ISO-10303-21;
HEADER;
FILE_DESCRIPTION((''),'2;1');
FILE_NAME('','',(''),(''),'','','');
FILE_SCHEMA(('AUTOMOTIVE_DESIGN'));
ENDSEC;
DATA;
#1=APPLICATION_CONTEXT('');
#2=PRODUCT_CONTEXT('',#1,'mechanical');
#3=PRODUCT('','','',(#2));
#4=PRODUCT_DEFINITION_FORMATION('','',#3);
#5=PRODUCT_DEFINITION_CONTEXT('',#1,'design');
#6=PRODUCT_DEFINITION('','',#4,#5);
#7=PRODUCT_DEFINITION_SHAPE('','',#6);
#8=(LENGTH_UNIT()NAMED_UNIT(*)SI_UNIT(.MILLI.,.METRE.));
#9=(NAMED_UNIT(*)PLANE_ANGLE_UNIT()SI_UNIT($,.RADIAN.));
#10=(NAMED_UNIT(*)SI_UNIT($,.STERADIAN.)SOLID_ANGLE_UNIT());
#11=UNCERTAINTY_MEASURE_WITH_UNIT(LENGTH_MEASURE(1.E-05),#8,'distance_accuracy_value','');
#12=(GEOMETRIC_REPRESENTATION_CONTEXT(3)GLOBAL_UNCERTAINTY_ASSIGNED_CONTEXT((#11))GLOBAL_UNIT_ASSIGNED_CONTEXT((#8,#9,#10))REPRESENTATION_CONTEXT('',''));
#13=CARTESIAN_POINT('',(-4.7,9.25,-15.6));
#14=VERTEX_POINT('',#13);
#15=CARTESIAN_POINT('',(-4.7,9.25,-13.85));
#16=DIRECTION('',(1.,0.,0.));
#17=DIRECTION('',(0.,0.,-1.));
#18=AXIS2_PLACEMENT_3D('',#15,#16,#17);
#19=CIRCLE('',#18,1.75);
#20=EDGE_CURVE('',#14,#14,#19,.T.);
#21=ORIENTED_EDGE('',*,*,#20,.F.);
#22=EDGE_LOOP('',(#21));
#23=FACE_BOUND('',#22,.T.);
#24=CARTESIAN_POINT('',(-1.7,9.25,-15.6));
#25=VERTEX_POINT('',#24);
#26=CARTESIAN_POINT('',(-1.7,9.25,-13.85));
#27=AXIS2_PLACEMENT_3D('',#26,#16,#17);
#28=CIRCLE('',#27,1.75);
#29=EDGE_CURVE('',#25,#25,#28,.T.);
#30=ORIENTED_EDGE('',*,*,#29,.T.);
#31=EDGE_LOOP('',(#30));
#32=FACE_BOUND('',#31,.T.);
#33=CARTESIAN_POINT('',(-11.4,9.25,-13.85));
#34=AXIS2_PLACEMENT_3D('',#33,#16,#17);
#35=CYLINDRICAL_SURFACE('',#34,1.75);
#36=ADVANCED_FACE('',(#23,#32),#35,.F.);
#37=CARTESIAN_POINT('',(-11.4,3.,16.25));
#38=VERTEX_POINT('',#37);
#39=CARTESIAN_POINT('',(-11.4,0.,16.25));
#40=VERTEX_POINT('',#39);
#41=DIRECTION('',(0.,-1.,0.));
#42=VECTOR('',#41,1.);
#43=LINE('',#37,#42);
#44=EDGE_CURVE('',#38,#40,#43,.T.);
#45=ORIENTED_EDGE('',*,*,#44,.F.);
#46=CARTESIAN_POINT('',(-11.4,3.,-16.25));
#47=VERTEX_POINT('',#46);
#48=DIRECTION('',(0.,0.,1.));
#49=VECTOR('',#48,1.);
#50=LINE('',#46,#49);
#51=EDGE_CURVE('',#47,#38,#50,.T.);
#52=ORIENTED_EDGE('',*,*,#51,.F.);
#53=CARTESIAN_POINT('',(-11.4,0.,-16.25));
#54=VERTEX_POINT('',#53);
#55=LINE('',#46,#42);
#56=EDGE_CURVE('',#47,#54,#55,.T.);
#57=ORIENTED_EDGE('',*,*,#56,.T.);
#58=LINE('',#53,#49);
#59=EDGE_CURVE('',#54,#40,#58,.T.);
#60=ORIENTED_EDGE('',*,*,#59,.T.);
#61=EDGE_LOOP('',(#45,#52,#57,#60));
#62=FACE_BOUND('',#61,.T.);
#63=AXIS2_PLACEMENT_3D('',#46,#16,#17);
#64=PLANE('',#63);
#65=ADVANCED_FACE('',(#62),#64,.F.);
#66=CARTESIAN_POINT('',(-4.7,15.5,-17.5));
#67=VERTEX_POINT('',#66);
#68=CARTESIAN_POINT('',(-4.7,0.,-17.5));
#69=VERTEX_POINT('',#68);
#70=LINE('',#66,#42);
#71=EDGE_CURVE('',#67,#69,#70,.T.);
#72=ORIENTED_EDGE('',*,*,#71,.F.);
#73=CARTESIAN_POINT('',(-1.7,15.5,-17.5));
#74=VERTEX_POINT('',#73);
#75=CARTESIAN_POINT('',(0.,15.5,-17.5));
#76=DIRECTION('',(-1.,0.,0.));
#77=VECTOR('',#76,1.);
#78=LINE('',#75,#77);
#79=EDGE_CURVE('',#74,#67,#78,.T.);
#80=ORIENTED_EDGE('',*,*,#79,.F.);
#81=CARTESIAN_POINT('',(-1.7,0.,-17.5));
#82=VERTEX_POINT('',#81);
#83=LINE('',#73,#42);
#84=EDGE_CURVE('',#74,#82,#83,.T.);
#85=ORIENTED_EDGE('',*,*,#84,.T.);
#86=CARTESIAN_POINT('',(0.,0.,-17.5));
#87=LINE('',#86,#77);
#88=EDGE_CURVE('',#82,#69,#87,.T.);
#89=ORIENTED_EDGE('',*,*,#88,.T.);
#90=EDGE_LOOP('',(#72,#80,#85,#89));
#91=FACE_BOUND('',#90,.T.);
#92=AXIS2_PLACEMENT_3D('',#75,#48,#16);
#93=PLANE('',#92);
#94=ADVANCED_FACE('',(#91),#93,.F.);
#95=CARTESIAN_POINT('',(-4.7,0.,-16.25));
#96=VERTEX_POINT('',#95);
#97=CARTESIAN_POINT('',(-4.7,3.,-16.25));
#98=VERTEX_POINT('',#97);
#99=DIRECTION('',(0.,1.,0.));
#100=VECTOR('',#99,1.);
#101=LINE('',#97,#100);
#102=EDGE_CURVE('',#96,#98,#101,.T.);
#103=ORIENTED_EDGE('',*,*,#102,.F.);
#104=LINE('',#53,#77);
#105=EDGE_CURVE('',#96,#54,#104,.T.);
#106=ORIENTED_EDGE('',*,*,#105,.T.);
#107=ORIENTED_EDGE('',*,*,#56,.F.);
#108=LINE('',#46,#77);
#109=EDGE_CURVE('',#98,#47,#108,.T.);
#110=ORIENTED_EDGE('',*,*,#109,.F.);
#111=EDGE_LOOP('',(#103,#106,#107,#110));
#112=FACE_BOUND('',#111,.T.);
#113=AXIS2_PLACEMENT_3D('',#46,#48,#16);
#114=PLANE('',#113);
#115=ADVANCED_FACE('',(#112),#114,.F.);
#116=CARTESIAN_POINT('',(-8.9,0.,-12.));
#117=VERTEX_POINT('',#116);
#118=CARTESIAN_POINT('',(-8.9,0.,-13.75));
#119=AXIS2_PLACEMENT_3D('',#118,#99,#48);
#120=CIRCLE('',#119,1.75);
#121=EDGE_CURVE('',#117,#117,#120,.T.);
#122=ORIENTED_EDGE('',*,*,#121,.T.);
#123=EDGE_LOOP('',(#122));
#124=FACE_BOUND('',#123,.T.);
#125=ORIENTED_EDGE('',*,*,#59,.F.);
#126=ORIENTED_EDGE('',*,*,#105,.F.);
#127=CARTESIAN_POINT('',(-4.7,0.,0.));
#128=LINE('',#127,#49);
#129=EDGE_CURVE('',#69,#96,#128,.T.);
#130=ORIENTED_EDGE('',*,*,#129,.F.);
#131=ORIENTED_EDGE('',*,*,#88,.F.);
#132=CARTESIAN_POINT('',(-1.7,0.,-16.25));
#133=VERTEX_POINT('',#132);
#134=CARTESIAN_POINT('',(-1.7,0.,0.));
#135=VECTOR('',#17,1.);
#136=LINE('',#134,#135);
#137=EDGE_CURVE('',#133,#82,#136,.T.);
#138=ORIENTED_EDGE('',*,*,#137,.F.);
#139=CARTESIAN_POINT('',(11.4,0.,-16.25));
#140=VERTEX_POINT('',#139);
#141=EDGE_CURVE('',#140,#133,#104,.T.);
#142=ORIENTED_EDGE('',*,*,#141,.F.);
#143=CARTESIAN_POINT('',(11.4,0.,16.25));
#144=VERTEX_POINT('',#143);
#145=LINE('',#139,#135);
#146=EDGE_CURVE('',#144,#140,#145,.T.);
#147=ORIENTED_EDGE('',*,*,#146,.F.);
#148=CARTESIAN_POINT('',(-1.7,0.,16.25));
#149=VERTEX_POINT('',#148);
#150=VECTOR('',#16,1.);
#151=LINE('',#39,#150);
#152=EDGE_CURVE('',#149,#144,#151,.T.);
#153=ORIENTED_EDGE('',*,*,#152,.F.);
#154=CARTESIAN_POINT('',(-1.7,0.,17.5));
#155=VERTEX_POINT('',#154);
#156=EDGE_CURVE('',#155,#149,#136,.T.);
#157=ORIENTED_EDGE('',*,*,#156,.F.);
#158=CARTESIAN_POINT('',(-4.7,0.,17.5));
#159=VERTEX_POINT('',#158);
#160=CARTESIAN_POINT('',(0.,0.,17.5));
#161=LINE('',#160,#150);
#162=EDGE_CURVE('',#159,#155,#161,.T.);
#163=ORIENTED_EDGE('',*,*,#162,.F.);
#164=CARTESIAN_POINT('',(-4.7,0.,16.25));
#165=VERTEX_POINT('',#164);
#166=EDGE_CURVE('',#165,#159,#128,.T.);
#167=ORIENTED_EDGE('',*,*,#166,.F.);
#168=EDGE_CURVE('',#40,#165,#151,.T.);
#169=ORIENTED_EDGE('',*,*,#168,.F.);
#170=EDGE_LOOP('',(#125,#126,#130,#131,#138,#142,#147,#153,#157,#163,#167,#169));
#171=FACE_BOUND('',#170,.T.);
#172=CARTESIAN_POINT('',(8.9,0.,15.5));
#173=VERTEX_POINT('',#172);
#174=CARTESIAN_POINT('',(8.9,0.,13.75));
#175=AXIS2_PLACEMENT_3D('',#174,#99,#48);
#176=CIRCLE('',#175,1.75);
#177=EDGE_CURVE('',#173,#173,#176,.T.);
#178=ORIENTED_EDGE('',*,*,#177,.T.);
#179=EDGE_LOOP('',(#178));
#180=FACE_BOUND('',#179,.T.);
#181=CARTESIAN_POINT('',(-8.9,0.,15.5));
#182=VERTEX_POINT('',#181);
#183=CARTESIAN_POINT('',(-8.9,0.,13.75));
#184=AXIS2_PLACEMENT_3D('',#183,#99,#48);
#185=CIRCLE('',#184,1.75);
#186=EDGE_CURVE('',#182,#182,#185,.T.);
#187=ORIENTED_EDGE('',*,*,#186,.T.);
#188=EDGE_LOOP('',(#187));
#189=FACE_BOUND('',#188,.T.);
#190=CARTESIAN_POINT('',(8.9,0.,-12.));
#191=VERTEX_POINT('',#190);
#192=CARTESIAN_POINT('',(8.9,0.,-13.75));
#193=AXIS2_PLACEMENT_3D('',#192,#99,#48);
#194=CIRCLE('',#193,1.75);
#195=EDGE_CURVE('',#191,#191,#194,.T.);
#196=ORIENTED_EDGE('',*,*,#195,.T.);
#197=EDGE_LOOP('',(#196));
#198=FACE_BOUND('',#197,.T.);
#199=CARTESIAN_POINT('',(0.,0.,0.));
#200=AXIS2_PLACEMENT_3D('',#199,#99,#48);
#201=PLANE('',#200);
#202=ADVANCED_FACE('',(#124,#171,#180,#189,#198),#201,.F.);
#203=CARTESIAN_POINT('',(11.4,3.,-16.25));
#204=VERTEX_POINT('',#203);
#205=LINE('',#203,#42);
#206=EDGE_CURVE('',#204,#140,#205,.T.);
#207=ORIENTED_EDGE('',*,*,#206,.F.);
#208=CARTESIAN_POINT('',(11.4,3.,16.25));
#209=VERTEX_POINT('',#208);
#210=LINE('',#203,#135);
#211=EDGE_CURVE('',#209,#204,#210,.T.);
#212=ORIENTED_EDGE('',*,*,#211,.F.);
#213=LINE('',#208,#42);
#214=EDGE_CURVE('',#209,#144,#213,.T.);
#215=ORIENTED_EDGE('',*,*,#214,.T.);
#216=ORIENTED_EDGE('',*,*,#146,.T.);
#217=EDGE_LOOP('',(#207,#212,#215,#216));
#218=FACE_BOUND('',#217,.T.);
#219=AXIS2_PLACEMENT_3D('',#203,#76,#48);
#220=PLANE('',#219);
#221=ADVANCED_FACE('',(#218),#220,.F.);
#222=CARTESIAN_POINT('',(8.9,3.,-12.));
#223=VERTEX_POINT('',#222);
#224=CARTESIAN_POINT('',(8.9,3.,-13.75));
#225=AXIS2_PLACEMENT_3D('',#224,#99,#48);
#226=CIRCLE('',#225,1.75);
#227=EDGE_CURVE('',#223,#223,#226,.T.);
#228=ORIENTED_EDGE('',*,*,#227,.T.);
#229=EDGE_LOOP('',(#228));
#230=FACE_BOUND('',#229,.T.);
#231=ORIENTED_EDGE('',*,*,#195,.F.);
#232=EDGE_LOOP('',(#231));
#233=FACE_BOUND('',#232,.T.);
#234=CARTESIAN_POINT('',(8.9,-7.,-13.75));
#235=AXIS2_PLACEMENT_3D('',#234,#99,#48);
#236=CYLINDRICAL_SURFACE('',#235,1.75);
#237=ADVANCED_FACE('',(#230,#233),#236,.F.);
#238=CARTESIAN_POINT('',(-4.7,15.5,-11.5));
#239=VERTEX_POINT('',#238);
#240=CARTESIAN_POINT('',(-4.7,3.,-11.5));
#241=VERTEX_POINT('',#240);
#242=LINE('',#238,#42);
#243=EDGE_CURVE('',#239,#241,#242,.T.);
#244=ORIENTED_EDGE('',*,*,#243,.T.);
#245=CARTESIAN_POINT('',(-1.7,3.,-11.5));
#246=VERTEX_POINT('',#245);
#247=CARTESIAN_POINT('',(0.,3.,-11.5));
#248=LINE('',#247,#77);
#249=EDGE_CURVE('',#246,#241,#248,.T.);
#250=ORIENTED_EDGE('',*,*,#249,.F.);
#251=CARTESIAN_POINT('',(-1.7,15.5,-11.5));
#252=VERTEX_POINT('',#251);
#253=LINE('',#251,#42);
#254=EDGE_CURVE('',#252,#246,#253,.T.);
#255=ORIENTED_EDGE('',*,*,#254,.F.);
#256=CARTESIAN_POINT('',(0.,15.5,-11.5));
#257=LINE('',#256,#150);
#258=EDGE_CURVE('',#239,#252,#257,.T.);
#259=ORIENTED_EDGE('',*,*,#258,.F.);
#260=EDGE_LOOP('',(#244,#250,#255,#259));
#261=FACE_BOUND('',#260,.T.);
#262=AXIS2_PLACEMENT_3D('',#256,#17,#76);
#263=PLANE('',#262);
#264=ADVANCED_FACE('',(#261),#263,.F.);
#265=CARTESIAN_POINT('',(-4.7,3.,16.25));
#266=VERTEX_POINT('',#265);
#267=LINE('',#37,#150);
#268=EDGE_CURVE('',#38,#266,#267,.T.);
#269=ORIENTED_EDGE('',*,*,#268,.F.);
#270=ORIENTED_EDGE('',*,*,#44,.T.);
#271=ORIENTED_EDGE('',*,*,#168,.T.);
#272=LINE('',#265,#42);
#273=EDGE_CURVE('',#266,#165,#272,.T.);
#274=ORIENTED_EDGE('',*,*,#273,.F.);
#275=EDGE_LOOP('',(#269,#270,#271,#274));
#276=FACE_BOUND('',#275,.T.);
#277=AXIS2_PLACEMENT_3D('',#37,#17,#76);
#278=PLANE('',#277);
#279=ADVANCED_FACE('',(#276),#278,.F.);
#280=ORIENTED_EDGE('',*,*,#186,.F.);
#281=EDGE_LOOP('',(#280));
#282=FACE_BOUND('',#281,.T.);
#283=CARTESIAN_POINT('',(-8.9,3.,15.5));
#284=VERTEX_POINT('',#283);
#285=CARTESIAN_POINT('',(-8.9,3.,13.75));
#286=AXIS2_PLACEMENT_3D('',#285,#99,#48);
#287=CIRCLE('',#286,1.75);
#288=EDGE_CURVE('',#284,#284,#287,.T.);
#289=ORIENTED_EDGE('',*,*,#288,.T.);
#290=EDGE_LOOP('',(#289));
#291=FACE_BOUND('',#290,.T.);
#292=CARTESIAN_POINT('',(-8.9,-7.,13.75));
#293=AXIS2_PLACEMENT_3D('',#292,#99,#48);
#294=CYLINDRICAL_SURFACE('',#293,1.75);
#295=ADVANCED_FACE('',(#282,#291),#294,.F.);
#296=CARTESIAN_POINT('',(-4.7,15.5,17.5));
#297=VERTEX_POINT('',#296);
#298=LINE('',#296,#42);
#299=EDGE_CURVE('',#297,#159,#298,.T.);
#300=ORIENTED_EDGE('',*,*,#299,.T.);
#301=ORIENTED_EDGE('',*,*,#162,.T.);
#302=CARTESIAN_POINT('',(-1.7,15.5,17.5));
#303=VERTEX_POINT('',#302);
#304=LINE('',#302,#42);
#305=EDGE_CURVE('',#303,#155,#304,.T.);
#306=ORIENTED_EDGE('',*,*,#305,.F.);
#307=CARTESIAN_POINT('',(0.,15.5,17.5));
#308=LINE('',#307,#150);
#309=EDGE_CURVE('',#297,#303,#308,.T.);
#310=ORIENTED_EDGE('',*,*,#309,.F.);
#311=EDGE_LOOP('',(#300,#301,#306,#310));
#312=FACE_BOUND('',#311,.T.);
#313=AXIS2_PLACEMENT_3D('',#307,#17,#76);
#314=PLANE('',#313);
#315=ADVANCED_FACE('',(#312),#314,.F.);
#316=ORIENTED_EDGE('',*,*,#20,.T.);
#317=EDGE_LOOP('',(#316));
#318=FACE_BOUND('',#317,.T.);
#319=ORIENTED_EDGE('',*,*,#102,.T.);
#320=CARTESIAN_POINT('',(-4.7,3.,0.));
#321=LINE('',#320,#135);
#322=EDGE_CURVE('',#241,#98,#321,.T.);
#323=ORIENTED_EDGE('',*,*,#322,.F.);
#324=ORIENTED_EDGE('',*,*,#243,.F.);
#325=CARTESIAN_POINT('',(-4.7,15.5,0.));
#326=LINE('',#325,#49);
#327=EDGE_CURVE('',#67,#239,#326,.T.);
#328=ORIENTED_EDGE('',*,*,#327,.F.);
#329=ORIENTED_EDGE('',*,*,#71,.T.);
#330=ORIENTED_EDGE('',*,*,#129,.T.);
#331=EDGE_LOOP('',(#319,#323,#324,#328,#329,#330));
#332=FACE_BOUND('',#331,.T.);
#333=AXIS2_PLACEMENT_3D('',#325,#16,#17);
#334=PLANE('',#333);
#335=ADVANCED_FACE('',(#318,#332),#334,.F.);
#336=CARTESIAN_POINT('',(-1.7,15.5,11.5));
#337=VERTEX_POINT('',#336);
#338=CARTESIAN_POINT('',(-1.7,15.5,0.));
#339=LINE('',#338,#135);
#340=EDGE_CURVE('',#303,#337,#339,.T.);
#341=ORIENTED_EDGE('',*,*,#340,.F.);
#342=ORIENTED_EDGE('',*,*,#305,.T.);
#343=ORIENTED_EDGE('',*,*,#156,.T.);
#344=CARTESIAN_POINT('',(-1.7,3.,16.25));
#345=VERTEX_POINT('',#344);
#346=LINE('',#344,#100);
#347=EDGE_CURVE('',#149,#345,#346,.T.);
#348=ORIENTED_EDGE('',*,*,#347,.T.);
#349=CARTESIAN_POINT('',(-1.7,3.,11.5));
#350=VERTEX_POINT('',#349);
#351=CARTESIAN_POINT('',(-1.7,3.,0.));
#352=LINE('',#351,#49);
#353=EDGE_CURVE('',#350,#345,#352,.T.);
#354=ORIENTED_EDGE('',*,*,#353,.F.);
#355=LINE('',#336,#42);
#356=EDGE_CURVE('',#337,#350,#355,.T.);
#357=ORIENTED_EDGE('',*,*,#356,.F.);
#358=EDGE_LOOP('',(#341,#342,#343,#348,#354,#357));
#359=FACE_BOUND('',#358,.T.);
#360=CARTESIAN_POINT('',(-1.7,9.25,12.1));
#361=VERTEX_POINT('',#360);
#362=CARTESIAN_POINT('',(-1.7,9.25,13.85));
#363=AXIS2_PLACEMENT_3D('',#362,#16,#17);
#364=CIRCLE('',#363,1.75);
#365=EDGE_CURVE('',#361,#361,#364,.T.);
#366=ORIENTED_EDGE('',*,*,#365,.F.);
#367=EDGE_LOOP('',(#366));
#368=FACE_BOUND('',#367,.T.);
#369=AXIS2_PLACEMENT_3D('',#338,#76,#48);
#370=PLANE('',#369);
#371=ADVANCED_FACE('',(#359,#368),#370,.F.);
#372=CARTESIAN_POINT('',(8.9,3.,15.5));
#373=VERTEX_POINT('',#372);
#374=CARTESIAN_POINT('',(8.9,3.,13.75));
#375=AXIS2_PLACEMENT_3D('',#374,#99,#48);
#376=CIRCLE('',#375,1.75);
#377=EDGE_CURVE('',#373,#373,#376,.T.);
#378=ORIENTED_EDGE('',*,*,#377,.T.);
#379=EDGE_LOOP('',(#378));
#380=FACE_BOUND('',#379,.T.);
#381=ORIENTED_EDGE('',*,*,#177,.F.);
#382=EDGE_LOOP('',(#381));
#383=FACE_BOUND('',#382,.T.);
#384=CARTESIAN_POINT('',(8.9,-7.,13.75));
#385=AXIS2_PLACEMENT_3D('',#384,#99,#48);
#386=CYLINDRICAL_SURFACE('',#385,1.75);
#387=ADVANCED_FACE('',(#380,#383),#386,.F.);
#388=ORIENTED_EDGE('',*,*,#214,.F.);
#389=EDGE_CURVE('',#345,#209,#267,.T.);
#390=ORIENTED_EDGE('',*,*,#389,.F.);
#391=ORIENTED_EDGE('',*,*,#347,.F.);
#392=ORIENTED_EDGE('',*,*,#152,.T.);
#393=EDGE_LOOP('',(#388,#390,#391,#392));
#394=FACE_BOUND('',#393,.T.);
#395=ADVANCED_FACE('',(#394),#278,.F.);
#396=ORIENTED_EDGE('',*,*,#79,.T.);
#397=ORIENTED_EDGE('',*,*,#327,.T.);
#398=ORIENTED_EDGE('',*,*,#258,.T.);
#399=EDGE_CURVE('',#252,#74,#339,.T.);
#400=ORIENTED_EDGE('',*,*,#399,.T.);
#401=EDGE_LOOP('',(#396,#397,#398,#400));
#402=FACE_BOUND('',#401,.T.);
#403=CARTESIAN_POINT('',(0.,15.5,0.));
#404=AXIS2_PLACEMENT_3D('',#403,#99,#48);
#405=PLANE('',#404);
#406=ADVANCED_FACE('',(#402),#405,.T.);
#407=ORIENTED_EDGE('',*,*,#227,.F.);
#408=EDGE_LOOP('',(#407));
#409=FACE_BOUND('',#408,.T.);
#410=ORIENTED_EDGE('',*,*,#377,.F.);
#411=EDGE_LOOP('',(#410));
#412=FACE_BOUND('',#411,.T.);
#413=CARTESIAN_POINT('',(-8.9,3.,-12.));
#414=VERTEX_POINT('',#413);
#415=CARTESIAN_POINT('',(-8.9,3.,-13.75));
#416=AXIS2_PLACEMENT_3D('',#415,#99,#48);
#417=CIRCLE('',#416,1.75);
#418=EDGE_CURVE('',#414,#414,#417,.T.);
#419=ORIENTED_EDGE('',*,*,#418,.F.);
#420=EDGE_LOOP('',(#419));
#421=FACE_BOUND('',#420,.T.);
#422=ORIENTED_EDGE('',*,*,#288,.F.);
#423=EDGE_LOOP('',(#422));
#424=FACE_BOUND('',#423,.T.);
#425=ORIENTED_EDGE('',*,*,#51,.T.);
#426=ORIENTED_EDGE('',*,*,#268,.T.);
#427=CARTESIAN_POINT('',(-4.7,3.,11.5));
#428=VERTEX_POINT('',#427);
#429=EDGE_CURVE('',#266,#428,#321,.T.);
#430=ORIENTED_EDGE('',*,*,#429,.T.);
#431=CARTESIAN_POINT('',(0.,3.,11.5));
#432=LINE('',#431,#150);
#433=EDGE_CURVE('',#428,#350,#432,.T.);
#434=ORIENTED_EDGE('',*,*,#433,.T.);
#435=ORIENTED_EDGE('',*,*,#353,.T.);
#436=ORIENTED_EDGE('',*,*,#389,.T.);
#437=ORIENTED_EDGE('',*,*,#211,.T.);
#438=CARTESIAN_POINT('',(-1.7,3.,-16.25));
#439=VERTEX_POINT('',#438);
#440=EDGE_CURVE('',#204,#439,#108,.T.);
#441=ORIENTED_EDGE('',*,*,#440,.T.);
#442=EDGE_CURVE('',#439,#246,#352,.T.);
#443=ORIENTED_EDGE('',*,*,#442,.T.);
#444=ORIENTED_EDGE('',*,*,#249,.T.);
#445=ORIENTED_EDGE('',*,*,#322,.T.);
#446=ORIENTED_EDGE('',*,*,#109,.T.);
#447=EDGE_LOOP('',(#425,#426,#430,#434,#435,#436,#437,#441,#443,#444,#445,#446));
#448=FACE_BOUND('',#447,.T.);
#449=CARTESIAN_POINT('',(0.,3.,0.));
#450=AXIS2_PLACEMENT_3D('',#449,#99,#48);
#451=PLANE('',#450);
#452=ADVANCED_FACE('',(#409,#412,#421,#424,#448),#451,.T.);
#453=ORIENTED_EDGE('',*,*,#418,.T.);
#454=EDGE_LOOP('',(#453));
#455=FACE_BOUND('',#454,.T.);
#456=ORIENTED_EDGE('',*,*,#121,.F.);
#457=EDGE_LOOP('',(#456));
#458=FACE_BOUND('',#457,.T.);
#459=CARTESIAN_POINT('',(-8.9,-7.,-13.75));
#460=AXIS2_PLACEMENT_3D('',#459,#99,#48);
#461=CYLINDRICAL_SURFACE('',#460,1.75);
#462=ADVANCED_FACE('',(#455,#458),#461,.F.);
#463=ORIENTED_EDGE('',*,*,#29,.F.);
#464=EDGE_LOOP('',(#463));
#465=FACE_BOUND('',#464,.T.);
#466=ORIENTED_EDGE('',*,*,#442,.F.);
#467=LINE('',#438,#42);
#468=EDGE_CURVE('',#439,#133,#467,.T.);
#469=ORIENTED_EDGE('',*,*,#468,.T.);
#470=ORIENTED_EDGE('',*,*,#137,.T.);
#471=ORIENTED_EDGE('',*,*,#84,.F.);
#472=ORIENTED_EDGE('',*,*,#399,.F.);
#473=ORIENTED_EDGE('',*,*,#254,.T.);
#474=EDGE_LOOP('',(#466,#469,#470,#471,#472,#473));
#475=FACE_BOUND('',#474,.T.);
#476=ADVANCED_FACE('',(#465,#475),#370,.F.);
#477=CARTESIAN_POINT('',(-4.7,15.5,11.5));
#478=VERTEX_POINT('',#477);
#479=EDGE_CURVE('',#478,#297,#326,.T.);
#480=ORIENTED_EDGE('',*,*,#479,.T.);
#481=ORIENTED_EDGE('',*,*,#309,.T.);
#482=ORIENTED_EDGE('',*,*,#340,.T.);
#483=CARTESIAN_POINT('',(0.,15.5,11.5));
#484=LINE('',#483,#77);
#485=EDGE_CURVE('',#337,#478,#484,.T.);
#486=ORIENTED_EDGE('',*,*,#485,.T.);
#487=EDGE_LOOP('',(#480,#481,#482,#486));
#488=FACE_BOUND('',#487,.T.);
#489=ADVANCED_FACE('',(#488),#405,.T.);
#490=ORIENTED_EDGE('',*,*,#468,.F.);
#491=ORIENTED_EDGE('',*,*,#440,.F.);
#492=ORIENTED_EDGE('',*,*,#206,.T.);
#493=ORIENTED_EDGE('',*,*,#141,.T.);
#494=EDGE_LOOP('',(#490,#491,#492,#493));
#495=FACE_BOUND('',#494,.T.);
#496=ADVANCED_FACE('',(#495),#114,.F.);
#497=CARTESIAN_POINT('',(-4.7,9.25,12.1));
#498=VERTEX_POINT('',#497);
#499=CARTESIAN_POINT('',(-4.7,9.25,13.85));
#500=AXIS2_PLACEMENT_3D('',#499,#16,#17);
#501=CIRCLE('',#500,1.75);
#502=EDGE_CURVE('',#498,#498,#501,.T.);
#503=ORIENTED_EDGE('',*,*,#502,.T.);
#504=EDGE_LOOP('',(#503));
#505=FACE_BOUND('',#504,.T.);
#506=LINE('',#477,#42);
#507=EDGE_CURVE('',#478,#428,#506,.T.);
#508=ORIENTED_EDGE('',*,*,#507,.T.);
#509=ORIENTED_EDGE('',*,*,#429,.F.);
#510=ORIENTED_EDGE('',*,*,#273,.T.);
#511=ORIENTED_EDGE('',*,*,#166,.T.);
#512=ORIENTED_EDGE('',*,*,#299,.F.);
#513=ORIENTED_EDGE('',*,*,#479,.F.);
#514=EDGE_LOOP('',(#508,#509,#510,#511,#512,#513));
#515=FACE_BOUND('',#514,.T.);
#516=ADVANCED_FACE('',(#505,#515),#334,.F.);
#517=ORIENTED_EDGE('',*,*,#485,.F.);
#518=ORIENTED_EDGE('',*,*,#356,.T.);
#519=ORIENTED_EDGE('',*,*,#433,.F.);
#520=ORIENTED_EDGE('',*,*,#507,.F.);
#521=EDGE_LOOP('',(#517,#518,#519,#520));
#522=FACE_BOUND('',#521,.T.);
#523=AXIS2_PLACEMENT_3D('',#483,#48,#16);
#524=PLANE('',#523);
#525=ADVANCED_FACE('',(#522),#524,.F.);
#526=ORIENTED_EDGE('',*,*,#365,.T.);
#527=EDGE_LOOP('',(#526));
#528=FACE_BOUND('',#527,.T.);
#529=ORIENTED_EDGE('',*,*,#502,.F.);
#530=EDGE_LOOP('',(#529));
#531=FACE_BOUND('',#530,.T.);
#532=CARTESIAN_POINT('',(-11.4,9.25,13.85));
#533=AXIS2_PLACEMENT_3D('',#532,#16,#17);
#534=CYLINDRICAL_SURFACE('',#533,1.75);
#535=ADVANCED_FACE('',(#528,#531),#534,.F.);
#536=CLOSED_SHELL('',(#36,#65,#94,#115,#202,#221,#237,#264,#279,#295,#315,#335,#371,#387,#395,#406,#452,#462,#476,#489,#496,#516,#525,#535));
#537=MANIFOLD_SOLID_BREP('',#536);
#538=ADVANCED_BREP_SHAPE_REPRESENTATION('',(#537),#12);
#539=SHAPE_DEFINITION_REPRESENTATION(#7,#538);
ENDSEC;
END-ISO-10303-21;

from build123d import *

# Parameters (mm, degrees)
SKETCH_1_W          = 22.8
SKETCH_1_H          = 32.5
EXTRUDE_1_DEPTH     = 3
SKETCH_4_R          = 1.75
CUT_EXTRUDE_2_DEPTH = 10
EXTRUDE_START       = -3
SKETCH_2_W          = 3
SKETCH_2_H          = 6
EXTRUDE_2_DEPTH     = 15.5
SKETCH_3_R          = 1.75
CUT_EXTRUDE_1_DEPTH = 27.797574517


with BuildPart() as part:
    # 草图1 → 凸台-拉伸1 (new body)
    with BuildSketch(Plane(origin=(0, 0, 0), x_dir=(1, 0, 0), z_dir=(0, 1, 0))):
        Rectangle(SKETCH_1_W, SKETCH_1_H)
    extrude(amount=EXTRUDE_1_DEPTH)

    # 草图4 → 切除-拉伸2 (cut)
    with BuildSketch(Plane(origin=(0, 3, 0), x_dir=(1, 0, 0), z_dir=(0, 1, 0))):
        with Locations(Location((-8.9, 13.75, 0), (0, 0, 270))):
            Circle(SKETCH_4_R)
        with Locations(Location((8.9, 13.75, 0), (0, 0, 270))):
            Circle(SKETCH_4_R)
        with Locations(Location((-8.9, -13.75, 0), (0, 0, 270))):
            Circle(SKETCH_4_R)
        with Locations(Location((8.9, -13.75, 0), (0, 0, 270))):
            Circle(SKETCH_4_R)
    extrude(amount=-CUT_EXTRUDE_2_DEPTH, mode=Mode.SUBTRACT)

    # 草图2 → 凸台-拉伸2 (add)
    with BuildSketch(Plane(origin=(0, 3, 0), x_dir=(1, 0, 0), z_dir=(0, 1, 0)).offset(EXTRUDE_START)):
        with Locations((-3.2, -14.5)):
            Rectangle(SKETCH_2_W, SKETCH_2_H)
        with Locations((-3.2, 14.5)):
            Rectangle(SKETCH_2_W, SKETCH_2_H)
    extrude(amount=EXTRUDE_2_DEPTH)

    # 草图3 → 切除-拉伸1 (cut, through all)
    with BuildSketch(Plane(origin=(-1.7, 0, 0), x_dir=(0, 0, -1), z_dir=(1, 0, 0))):
        with Locations((-13.85, 9.25)):
            Circle(SKETCH_3_R)
        with Locations((13.85, 9.25)):
            Circle(SKETCH_3_R)
    extrude(amount=-CUT_EXTRUDE_1_DEPTH, mode=Mode.SUBTRACT)


solid = part.part
